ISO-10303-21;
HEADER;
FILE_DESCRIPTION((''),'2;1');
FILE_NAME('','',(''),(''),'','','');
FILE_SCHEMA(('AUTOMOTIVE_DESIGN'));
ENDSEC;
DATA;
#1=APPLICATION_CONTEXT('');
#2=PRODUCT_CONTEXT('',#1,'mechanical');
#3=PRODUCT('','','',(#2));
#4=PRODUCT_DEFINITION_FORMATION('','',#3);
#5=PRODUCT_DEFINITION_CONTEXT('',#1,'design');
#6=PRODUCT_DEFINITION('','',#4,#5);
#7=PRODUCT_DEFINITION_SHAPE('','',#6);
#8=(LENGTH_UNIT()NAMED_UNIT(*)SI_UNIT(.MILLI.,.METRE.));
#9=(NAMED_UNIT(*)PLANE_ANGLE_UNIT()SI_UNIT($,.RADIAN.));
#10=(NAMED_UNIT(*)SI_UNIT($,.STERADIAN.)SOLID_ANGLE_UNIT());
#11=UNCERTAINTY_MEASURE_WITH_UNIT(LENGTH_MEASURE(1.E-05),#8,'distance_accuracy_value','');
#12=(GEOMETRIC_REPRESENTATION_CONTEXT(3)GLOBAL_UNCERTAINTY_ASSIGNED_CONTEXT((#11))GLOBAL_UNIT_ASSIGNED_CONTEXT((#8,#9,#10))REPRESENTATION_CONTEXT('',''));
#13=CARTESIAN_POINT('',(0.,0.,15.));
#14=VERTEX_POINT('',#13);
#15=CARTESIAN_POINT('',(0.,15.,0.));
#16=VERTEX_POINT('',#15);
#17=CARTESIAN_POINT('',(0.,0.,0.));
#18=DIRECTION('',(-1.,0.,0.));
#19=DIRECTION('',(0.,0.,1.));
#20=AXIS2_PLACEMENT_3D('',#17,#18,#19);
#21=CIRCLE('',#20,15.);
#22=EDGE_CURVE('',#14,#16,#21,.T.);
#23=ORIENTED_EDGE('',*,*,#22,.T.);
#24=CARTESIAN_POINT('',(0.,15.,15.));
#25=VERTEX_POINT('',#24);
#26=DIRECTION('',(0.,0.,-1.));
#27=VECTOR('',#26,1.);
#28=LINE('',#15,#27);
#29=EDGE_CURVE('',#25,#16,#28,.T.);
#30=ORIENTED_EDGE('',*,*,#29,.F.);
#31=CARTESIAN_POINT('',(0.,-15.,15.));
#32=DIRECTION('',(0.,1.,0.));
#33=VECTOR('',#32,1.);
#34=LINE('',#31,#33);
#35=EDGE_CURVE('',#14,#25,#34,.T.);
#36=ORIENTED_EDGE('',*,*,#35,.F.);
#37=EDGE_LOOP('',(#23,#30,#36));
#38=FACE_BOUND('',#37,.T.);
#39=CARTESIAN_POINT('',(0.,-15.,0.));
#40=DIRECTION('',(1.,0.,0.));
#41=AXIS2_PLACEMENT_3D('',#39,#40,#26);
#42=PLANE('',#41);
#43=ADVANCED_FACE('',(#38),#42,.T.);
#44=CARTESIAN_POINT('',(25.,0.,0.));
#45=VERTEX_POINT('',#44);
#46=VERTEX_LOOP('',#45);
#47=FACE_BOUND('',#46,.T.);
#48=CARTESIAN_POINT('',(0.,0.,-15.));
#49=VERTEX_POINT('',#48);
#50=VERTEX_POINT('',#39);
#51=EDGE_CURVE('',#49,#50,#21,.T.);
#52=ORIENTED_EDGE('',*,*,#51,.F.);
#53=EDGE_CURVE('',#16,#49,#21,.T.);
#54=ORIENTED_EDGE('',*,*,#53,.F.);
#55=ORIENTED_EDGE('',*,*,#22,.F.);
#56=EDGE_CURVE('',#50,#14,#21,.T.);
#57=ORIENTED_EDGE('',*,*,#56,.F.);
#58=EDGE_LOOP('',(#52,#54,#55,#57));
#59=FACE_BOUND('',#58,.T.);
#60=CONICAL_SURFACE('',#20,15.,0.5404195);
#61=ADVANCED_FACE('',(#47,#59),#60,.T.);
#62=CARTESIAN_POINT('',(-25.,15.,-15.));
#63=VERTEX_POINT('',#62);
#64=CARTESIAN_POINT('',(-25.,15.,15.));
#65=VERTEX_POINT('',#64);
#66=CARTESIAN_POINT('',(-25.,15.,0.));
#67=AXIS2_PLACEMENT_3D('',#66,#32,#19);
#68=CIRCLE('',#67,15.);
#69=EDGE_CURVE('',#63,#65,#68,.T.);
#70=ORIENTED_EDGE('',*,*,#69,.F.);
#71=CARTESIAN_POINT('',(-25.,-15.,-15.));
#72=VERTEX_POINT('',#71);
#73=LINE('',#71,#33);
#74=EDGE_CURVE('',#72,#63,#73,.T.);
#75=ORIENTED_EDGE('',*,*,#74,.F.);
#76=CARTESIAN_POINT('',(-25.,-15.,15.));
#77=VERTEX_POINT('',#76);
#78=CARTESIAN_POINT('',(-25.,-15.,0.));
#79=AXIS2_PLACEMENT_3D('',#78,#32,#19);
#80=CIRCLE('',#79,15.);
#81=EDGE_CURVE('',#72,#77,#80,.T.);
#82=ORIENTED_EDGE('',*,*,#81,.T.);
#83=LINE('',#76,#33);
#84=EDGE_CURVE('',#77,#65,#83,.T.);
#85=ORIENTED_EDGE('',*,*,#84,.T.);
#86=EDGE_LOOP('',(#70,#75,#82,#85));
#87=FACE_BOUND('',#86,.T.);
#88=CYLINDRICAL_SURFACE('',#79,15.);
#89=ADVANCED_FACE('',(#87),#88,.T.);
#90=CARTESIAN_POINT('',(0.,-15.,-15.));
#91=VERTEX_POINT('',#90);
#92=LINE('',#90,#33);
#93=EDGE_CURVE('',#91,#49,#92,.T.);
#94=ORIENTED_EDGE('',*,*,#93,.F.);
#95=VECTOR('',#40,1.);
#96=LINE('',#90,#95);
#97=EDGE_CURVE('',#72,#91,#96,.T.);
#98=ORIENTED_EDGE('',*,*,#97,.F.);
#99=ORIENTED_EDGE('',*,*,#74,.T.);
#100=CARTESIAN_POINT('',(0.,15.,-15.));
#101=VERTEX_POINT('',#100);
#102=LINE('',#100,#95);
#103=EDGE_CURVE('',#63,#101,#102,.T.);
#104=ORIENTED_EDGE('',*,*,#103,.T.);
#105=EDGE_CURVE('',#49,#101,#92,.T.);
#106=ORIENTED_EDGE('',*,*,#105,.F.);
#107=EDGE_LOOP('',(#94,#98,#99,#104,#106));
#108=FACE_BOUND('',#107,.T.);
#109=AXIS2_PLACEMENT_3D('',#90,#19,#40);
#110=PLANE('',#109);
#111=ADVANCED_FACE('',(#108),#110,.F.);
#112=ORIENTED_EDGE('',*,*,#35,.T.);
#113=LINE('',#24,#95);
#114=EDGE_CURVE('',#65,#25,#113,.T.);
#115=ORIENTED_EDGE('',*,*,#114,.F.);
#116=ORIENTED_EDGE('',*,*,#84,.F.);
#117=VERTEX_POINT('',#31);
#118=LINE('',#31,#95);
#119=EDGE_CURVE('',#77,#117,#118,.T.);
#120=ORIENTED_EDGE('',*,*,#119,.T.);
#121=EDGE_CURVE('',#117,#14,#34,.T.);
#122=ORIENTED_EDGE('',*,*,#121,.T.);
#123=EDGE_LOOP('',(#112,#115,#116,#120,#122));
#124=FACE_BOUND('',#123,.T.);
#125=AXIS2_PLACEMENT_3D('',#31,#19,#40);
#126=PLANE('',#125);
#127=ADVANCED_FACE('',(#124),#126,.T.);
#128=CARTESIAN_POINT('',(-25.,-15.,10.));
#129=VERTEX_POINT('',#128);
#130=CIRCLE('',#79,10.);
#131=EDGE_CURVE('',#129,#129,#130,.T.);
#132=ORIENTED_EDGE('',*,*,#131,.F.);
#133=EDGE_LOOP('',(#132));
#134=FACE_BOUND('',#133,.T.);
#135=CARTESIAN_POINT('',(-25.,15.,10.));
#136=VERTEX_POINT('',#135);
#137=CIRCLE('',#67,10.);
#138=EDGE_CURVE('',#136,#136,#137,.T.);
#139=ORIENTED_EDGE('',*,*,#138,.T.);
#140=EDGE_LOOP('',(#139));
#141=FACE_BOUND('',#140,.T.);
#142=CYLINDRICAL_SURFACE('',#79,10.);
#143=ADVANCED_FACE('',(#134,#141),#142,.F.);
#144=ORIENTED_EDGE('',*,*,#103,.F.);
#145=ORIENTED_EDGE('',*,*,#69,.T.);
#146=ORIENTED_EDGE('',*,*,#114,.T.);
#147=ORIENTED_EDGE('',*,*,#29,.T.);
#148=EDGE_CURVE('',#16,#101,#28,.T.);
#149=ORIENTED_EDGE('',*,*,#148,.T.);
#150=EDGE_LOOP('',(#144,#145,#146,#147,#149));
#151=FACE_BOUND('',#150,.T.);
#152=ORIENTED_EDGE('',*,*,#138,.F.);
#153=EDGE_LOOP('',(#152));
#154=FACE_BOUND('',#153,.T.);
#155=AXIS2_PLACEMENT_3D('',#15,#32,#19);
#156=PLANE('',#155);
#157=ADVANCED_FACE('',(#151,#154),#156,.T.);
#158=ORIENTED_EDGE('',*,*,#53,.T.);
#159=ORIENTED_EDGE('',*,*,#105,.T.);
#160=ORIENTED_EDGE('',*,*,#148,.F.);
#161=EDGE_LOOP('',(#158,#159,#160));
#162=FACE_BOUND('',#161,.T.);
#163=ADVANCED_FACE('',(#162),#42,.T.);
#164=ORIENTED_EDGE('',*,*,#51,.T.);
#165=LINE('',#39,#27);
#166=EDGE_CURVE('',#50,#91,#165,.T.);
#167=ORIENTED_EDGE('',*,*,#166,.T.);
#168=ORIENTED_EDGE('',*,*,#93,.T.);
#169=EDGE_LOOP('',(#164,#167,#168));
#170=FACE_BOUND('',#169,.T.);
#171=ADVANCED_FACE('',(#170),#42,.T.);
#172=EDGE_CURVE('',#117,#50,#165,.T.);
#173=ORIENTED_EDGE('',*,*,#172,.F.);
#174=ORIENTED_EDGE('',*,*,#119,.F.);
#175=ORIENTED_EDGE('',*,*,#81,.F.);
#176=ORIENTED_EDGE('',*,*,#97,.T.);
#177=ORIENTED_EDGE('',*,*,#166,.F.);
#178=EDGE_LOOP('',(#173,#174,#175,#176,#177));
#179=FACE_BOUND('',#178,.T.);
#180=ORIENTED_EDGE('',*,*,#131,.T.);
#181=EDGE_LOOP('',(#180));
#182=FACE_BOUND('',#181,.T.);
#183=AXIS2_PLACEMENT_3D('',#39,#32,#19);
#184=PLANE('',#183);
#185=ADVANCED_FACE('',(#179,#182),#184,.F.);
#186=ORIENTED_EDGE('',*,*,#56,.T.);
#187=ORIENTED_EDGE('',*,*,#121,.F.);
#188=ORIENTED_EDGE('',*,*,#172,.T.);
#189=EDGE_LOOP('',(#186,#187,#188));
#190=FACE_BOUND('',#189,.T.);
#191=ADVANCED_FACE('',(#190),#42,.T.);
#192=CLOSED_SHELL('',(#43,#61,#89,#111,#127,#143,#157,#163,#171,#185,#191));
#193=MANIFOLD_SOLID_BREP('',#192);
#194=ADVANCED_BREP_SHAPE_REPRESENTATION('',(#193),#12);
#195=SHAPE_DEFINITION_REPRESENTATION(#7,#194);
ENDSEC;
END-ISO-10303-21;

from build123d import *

# Parameters (mm, degrees)
BOSS_EXTRUDE2_DEPTH      = 15
BOSS_EXTRUDE2_DEPTH_BACK = 15
SKETCH1_R                = 10


with BuildPart() as part:
    # Sketch1 → Boss-Extrude2 (new, two sides: drawn at the far end of the back side and taken through both)
    with BuildSketch(Plane(origin=(0, 0, 0), x_dir=(1, 0, 0), z_dir=(0, 1, 0)).offset(-BOSS_EXTRUDE2_DEPTH_BACK)):
        with BuildLine():
            Line((0, 15), (-25, 15))
            ThreePointArc((-25, 15), (-40, 0), (-25, -15))
            Line((-25, -15), (0, -15))
            Line((0, -15), (0, 0))
            Line((0, 0), (0, 15))
        make_face()
        with Locations((-25, 0)):
            Circle(SKETCH1_R, mode=Mode.SUBTRACT)
    extrude(amount=BOSS_EXTRUDE2_DEPTH + BOSS_EXTRUDE2_DEPTH_BACK)

    # Sketch1<4> → Revolve2 (revolve)
    with BuildSketch(Plane(origin=(0, 0, 0), x_dir=(1, 0, 0), z_dir=(0, 1, 0))):
        Polygon((25, 0), (0, 15), (0, 0), align=None)
    revolve(axis=Axis((0, 0, 0), (1, 0, 0)))


solid = part.part
